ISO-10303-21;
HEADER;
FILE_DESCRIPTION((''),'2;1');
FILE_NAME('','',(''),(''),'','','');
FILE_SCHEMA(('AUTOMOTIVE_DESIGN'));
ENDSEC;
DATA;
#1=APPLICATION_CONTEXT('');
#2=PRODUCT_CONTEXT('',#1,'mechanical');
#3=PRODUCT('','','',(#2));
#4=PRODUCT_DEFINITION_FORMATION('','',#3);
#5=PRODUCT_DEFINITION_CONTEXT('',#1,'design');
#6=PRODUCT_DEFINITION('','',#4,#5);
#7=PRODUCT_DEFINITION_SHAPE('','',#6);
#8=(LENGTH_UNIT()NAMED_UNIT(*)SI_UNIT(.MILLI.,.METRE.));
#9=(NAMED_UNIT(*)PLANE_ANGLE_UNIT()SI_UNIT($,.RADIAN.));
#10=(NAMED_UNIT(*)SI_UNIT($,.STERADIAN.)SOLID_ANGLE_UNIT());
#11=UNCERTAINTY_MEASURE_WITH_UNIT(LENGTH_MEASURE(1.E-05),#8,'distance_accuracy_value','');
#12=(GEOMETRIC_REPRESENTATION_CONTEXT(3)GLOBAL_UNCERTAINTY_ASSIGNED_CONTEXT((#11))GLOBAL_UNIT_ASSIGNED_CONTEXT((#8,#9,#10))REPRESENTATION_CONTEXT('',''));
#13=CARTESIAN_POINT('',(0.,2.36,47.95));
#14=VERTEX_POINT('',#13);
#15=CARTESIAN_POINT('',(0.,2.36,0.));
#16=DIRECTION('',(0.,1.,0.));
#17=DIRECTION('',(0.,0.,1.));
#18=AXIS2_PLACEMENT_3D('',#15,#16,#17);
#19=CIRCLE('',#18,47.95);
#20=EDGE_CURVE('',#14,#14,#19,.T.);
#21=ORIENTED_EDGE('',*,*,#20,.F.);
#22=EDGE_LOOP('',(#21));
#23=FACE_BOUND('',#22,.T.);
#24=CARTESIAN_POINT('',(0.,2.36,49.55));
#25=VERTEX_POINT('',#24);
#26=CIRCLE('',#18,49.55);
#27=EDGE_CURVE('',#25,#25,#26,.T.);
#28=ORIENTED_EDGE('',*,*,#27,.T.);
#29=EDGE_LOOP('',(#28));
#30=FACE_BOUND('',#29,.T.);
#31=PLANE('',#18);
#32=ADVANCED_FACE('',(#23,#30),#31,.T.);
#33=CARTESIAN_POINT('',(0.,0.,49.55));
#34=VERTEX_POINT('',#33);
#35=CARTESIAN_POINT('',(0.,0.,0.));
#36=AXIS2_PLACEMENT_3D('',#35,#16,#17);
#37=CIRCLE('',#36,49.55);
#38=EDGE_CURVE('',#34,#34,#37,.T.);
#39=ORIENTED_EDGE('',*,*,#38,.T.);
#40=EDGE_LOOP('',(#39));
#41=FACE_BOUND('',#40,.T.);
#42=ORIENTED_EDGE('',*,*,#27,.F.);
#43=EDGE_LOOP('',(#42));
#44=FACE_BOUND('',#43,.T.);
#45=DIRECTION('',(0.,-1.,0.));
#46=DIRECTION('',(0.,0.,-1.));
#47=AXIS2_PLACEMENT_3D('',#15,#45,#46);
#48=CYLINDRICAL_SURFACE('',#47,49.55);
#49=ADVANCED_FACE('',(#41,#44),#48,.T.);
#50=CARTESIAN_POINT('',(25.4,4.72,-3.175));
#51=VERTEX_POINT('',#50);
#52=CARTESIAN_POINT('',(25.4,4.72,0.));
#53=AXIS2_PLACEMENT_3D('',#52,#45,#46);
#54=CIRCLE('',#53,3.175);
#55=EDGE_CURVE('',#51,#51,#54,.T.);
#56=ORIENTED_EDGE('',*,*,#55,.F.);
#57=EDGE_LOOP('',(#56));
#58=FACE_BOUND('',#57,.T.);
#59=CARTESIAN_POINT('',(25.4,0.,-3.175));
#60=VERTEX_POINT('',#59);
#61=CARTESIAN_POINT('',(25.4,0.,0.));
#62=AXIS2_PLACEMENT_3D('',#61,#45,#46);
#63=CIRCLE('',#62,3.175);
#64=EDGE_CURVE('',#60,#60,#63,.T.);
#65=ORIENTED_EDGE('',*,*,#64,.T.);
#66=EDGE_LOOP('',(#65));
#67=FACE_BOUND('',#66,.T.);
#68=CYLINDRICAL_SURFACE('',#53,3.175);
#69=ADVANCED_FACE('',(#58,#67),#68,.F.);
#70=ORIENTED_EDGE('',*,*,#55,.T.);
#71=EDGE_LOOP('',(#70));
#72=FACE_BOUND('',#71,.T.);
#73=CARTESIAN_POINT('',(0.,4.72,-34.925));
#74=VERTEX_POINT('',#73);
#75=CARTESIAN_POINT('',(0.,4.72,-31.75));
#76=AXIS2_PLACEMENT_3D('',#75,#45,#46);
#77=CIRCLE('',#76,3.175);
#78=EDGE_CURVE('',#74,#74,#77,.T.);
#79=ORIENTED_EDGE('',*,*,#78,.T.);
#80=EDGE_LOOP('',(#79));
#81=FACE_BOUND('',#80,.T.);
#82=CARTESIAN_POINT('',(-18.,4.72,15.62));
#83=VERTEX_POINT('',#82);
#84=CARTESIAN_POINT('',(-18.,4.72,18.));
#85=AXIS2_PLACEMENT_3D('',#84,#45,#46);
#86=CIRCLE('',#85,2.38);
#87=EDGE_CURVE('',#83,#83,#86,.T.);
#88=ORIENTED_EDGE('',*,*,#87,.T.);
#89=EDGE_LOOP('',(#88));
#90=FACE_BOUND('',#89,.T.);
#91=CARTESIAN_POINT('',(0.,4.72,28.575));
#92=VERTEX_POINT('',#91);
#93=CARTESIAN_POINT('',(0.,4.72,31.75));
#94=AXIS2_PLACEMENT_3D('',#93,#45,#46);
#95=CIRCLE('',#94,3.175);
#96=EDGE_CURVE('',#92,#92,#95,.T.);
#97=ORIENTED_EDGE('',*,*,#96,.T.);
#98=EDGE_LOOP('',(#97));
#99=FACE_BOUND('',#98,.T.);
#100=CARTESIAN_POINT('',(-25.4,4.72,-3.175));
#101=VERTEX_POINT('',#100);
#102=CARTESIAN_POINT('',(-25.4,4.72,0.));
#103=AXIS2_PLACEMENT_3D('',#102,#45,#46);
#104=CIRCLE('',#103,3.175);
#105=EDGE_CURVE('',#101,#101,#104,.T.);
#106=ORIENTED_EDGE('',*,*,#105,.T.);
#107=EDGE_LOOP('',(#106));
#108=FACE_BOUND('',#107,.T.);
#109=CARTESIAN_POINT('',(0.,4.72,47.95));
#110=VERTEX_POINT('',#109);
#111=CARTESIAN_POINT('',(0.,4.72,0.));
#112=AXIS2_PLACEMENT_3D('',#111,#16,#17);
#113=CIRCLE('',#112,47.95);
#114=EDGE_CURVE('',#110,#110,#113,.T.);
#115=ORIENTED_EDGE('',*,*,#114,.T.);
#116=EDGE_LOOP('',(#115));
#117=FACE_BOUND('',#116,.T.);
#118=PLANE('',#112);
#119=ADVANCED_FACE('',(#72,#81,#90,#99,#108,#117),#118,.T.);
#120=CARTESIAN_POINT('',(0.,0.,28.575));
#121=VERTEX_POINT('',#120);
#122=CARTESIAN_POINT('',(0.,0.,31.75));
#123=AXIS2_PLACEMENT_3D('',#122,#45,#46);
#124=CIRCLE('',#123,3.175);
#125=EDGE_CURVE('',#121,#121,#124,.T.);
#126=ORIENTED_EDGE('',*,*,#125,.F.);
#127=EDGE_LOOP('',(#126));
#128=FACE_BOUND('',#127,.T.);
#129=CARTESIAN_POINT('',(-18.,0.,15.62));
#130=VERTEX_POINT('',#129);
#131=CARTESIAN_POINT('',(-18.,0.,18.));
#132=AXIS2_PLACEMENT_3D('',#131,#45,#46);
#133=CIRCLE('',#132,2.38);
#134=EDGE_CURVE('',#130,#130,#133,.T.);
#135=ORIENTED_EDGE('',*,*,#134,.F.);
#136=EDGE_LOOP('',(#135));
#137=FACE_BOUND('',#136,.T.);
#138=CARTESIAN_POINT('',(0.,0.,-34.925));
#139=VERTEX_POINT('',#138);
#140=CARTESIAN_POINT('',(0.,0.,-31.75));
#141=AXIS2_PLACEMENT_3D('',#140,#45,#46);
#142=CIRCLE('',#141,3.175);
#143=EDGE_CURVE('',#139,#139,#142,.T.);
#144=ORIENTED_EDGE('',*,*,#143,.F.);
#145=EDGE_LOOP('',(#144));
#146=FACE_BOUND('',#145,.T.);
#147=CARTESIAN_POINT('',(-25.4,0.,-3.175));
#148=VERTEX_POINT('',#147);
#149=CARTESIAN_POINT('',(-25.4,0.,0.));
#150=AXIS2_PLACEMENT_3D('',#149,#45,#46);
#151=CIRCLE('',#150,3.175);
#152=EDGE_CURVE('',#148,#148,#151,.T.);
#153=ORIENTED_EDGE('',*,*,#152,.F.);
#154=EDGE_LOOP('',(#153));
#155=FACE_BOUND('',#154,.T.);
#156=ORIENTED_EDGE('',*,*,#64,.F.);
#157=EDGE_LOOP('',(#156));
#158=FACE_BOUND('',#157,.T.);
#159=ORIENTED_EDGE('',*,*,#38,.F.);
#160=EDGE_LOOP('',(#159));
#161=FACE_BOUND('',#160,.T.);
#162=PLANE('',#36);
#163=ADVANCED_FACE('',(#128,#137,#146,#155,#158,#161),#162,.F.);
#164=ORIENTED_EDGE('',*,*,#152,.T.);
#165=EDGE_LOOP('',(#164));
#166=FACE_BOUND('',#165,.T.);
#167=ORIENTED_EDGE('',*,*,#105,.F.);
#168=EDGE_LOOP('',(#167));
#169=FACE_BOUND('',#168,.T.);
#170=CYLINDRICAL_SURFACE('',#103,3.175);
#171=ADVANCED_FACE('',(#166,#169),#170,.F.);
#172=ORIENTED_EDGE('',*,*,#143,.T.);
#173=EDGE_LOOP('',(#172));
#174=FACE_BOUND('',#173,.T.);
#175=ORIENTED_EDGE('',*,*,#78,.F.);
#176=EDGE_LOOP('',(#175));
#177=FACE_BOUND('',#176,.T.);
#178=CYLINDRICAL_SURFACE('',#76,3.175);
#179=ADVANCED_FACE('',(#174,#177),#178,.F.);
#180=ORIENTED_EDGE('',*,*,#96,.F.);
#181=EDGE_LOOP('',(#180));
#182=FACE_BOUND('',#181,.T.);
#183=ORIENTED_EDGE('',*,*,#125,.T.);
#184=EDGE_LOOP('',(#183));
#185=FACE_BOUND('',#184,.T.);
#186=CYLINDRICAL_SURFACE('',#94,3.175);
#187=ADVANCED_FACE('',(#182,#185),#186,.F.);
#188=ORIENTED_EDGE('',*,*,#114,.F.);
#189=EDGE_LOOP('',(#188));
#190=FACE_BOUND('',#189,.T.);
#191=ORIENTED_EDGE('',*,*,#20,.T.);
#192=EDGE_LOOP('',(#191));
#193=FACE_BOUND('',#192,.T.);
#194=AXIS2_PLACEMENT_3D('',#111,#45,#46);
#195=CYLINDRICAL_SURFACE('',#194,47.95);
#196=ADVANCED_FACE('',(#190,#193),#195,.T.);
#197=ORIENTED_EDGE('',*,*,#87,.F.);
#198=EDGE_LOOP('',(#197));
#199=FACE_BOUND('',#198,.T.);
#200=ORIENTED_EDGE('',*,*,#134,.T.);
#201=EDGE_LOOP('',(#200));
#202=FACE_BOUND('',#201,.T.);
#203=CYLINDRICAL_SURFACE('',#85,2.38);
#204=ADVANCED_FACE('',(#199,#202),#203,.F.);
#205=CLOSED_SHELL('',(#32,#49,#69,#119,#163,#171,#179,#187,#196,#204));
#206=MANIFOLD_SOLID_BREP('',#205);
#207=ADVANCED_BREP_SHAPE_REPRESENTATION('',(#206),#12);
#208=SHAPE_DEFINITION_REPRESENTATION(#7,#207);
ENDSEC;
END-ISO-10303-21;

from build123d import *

# Parameters (mm, degrees)
SKETCH1_R           = 49.55
BOSS_EXTRUDE1_DEPTH = 2.36
SKETCH2_R           = 47.95
BOSS_EXTRUDE2_DEPTH = 2.36
SKETCH3_R           = 3.175
SKETCH3_R_2         = 2.38
CUT_EXTRUDE1_DEPTH  = 5.72


with BuildPart() as part:
    # Sketch1 → Boss-Extrude1 (new body)
    with BuildSketch(Plane(origin=(0, 0, 0), x_dir=(1, 0, 0), z_dir=(0, 1, 0))):
        Circle(SKETCH1_R)
    extrude(amount=BOSS_EXTRUDE1_DEPTH)

    # Sketch2 → Boss-Extrude2 (add)
    with BuildSketch(Plane(origin=(0, 2.36, 0), x_dir=(1, 0, 0), z_dir=(0, 1, 0))):
        Circle(SKETCH2_R)
    extrude(amount=BOSS_EXTRUDE2_DEPTH)

    # Sketch3 → Cut-Extrude1 (cut, through all)
    with BuildSketch(Plane.XZ):
        with Locations((25.4, 0)):
            Circle(SKETCH3_R)
        with Locations((-25.4, 0)):
            Circle(SKETCH3_R)
        with Locations((0, 31.75)):
            Circle(SKETCH3_R)
        with Locations((0, -31.75)):
            Circle(SKETCH3_R)
        with Locations((-18, 18)):
            Circle(SKETCH3_R_2)
    extrude(amount=-CUT_EXTRUDE1_DEPTH, mode=Mode.SUBTRACT)


solid = part.part
